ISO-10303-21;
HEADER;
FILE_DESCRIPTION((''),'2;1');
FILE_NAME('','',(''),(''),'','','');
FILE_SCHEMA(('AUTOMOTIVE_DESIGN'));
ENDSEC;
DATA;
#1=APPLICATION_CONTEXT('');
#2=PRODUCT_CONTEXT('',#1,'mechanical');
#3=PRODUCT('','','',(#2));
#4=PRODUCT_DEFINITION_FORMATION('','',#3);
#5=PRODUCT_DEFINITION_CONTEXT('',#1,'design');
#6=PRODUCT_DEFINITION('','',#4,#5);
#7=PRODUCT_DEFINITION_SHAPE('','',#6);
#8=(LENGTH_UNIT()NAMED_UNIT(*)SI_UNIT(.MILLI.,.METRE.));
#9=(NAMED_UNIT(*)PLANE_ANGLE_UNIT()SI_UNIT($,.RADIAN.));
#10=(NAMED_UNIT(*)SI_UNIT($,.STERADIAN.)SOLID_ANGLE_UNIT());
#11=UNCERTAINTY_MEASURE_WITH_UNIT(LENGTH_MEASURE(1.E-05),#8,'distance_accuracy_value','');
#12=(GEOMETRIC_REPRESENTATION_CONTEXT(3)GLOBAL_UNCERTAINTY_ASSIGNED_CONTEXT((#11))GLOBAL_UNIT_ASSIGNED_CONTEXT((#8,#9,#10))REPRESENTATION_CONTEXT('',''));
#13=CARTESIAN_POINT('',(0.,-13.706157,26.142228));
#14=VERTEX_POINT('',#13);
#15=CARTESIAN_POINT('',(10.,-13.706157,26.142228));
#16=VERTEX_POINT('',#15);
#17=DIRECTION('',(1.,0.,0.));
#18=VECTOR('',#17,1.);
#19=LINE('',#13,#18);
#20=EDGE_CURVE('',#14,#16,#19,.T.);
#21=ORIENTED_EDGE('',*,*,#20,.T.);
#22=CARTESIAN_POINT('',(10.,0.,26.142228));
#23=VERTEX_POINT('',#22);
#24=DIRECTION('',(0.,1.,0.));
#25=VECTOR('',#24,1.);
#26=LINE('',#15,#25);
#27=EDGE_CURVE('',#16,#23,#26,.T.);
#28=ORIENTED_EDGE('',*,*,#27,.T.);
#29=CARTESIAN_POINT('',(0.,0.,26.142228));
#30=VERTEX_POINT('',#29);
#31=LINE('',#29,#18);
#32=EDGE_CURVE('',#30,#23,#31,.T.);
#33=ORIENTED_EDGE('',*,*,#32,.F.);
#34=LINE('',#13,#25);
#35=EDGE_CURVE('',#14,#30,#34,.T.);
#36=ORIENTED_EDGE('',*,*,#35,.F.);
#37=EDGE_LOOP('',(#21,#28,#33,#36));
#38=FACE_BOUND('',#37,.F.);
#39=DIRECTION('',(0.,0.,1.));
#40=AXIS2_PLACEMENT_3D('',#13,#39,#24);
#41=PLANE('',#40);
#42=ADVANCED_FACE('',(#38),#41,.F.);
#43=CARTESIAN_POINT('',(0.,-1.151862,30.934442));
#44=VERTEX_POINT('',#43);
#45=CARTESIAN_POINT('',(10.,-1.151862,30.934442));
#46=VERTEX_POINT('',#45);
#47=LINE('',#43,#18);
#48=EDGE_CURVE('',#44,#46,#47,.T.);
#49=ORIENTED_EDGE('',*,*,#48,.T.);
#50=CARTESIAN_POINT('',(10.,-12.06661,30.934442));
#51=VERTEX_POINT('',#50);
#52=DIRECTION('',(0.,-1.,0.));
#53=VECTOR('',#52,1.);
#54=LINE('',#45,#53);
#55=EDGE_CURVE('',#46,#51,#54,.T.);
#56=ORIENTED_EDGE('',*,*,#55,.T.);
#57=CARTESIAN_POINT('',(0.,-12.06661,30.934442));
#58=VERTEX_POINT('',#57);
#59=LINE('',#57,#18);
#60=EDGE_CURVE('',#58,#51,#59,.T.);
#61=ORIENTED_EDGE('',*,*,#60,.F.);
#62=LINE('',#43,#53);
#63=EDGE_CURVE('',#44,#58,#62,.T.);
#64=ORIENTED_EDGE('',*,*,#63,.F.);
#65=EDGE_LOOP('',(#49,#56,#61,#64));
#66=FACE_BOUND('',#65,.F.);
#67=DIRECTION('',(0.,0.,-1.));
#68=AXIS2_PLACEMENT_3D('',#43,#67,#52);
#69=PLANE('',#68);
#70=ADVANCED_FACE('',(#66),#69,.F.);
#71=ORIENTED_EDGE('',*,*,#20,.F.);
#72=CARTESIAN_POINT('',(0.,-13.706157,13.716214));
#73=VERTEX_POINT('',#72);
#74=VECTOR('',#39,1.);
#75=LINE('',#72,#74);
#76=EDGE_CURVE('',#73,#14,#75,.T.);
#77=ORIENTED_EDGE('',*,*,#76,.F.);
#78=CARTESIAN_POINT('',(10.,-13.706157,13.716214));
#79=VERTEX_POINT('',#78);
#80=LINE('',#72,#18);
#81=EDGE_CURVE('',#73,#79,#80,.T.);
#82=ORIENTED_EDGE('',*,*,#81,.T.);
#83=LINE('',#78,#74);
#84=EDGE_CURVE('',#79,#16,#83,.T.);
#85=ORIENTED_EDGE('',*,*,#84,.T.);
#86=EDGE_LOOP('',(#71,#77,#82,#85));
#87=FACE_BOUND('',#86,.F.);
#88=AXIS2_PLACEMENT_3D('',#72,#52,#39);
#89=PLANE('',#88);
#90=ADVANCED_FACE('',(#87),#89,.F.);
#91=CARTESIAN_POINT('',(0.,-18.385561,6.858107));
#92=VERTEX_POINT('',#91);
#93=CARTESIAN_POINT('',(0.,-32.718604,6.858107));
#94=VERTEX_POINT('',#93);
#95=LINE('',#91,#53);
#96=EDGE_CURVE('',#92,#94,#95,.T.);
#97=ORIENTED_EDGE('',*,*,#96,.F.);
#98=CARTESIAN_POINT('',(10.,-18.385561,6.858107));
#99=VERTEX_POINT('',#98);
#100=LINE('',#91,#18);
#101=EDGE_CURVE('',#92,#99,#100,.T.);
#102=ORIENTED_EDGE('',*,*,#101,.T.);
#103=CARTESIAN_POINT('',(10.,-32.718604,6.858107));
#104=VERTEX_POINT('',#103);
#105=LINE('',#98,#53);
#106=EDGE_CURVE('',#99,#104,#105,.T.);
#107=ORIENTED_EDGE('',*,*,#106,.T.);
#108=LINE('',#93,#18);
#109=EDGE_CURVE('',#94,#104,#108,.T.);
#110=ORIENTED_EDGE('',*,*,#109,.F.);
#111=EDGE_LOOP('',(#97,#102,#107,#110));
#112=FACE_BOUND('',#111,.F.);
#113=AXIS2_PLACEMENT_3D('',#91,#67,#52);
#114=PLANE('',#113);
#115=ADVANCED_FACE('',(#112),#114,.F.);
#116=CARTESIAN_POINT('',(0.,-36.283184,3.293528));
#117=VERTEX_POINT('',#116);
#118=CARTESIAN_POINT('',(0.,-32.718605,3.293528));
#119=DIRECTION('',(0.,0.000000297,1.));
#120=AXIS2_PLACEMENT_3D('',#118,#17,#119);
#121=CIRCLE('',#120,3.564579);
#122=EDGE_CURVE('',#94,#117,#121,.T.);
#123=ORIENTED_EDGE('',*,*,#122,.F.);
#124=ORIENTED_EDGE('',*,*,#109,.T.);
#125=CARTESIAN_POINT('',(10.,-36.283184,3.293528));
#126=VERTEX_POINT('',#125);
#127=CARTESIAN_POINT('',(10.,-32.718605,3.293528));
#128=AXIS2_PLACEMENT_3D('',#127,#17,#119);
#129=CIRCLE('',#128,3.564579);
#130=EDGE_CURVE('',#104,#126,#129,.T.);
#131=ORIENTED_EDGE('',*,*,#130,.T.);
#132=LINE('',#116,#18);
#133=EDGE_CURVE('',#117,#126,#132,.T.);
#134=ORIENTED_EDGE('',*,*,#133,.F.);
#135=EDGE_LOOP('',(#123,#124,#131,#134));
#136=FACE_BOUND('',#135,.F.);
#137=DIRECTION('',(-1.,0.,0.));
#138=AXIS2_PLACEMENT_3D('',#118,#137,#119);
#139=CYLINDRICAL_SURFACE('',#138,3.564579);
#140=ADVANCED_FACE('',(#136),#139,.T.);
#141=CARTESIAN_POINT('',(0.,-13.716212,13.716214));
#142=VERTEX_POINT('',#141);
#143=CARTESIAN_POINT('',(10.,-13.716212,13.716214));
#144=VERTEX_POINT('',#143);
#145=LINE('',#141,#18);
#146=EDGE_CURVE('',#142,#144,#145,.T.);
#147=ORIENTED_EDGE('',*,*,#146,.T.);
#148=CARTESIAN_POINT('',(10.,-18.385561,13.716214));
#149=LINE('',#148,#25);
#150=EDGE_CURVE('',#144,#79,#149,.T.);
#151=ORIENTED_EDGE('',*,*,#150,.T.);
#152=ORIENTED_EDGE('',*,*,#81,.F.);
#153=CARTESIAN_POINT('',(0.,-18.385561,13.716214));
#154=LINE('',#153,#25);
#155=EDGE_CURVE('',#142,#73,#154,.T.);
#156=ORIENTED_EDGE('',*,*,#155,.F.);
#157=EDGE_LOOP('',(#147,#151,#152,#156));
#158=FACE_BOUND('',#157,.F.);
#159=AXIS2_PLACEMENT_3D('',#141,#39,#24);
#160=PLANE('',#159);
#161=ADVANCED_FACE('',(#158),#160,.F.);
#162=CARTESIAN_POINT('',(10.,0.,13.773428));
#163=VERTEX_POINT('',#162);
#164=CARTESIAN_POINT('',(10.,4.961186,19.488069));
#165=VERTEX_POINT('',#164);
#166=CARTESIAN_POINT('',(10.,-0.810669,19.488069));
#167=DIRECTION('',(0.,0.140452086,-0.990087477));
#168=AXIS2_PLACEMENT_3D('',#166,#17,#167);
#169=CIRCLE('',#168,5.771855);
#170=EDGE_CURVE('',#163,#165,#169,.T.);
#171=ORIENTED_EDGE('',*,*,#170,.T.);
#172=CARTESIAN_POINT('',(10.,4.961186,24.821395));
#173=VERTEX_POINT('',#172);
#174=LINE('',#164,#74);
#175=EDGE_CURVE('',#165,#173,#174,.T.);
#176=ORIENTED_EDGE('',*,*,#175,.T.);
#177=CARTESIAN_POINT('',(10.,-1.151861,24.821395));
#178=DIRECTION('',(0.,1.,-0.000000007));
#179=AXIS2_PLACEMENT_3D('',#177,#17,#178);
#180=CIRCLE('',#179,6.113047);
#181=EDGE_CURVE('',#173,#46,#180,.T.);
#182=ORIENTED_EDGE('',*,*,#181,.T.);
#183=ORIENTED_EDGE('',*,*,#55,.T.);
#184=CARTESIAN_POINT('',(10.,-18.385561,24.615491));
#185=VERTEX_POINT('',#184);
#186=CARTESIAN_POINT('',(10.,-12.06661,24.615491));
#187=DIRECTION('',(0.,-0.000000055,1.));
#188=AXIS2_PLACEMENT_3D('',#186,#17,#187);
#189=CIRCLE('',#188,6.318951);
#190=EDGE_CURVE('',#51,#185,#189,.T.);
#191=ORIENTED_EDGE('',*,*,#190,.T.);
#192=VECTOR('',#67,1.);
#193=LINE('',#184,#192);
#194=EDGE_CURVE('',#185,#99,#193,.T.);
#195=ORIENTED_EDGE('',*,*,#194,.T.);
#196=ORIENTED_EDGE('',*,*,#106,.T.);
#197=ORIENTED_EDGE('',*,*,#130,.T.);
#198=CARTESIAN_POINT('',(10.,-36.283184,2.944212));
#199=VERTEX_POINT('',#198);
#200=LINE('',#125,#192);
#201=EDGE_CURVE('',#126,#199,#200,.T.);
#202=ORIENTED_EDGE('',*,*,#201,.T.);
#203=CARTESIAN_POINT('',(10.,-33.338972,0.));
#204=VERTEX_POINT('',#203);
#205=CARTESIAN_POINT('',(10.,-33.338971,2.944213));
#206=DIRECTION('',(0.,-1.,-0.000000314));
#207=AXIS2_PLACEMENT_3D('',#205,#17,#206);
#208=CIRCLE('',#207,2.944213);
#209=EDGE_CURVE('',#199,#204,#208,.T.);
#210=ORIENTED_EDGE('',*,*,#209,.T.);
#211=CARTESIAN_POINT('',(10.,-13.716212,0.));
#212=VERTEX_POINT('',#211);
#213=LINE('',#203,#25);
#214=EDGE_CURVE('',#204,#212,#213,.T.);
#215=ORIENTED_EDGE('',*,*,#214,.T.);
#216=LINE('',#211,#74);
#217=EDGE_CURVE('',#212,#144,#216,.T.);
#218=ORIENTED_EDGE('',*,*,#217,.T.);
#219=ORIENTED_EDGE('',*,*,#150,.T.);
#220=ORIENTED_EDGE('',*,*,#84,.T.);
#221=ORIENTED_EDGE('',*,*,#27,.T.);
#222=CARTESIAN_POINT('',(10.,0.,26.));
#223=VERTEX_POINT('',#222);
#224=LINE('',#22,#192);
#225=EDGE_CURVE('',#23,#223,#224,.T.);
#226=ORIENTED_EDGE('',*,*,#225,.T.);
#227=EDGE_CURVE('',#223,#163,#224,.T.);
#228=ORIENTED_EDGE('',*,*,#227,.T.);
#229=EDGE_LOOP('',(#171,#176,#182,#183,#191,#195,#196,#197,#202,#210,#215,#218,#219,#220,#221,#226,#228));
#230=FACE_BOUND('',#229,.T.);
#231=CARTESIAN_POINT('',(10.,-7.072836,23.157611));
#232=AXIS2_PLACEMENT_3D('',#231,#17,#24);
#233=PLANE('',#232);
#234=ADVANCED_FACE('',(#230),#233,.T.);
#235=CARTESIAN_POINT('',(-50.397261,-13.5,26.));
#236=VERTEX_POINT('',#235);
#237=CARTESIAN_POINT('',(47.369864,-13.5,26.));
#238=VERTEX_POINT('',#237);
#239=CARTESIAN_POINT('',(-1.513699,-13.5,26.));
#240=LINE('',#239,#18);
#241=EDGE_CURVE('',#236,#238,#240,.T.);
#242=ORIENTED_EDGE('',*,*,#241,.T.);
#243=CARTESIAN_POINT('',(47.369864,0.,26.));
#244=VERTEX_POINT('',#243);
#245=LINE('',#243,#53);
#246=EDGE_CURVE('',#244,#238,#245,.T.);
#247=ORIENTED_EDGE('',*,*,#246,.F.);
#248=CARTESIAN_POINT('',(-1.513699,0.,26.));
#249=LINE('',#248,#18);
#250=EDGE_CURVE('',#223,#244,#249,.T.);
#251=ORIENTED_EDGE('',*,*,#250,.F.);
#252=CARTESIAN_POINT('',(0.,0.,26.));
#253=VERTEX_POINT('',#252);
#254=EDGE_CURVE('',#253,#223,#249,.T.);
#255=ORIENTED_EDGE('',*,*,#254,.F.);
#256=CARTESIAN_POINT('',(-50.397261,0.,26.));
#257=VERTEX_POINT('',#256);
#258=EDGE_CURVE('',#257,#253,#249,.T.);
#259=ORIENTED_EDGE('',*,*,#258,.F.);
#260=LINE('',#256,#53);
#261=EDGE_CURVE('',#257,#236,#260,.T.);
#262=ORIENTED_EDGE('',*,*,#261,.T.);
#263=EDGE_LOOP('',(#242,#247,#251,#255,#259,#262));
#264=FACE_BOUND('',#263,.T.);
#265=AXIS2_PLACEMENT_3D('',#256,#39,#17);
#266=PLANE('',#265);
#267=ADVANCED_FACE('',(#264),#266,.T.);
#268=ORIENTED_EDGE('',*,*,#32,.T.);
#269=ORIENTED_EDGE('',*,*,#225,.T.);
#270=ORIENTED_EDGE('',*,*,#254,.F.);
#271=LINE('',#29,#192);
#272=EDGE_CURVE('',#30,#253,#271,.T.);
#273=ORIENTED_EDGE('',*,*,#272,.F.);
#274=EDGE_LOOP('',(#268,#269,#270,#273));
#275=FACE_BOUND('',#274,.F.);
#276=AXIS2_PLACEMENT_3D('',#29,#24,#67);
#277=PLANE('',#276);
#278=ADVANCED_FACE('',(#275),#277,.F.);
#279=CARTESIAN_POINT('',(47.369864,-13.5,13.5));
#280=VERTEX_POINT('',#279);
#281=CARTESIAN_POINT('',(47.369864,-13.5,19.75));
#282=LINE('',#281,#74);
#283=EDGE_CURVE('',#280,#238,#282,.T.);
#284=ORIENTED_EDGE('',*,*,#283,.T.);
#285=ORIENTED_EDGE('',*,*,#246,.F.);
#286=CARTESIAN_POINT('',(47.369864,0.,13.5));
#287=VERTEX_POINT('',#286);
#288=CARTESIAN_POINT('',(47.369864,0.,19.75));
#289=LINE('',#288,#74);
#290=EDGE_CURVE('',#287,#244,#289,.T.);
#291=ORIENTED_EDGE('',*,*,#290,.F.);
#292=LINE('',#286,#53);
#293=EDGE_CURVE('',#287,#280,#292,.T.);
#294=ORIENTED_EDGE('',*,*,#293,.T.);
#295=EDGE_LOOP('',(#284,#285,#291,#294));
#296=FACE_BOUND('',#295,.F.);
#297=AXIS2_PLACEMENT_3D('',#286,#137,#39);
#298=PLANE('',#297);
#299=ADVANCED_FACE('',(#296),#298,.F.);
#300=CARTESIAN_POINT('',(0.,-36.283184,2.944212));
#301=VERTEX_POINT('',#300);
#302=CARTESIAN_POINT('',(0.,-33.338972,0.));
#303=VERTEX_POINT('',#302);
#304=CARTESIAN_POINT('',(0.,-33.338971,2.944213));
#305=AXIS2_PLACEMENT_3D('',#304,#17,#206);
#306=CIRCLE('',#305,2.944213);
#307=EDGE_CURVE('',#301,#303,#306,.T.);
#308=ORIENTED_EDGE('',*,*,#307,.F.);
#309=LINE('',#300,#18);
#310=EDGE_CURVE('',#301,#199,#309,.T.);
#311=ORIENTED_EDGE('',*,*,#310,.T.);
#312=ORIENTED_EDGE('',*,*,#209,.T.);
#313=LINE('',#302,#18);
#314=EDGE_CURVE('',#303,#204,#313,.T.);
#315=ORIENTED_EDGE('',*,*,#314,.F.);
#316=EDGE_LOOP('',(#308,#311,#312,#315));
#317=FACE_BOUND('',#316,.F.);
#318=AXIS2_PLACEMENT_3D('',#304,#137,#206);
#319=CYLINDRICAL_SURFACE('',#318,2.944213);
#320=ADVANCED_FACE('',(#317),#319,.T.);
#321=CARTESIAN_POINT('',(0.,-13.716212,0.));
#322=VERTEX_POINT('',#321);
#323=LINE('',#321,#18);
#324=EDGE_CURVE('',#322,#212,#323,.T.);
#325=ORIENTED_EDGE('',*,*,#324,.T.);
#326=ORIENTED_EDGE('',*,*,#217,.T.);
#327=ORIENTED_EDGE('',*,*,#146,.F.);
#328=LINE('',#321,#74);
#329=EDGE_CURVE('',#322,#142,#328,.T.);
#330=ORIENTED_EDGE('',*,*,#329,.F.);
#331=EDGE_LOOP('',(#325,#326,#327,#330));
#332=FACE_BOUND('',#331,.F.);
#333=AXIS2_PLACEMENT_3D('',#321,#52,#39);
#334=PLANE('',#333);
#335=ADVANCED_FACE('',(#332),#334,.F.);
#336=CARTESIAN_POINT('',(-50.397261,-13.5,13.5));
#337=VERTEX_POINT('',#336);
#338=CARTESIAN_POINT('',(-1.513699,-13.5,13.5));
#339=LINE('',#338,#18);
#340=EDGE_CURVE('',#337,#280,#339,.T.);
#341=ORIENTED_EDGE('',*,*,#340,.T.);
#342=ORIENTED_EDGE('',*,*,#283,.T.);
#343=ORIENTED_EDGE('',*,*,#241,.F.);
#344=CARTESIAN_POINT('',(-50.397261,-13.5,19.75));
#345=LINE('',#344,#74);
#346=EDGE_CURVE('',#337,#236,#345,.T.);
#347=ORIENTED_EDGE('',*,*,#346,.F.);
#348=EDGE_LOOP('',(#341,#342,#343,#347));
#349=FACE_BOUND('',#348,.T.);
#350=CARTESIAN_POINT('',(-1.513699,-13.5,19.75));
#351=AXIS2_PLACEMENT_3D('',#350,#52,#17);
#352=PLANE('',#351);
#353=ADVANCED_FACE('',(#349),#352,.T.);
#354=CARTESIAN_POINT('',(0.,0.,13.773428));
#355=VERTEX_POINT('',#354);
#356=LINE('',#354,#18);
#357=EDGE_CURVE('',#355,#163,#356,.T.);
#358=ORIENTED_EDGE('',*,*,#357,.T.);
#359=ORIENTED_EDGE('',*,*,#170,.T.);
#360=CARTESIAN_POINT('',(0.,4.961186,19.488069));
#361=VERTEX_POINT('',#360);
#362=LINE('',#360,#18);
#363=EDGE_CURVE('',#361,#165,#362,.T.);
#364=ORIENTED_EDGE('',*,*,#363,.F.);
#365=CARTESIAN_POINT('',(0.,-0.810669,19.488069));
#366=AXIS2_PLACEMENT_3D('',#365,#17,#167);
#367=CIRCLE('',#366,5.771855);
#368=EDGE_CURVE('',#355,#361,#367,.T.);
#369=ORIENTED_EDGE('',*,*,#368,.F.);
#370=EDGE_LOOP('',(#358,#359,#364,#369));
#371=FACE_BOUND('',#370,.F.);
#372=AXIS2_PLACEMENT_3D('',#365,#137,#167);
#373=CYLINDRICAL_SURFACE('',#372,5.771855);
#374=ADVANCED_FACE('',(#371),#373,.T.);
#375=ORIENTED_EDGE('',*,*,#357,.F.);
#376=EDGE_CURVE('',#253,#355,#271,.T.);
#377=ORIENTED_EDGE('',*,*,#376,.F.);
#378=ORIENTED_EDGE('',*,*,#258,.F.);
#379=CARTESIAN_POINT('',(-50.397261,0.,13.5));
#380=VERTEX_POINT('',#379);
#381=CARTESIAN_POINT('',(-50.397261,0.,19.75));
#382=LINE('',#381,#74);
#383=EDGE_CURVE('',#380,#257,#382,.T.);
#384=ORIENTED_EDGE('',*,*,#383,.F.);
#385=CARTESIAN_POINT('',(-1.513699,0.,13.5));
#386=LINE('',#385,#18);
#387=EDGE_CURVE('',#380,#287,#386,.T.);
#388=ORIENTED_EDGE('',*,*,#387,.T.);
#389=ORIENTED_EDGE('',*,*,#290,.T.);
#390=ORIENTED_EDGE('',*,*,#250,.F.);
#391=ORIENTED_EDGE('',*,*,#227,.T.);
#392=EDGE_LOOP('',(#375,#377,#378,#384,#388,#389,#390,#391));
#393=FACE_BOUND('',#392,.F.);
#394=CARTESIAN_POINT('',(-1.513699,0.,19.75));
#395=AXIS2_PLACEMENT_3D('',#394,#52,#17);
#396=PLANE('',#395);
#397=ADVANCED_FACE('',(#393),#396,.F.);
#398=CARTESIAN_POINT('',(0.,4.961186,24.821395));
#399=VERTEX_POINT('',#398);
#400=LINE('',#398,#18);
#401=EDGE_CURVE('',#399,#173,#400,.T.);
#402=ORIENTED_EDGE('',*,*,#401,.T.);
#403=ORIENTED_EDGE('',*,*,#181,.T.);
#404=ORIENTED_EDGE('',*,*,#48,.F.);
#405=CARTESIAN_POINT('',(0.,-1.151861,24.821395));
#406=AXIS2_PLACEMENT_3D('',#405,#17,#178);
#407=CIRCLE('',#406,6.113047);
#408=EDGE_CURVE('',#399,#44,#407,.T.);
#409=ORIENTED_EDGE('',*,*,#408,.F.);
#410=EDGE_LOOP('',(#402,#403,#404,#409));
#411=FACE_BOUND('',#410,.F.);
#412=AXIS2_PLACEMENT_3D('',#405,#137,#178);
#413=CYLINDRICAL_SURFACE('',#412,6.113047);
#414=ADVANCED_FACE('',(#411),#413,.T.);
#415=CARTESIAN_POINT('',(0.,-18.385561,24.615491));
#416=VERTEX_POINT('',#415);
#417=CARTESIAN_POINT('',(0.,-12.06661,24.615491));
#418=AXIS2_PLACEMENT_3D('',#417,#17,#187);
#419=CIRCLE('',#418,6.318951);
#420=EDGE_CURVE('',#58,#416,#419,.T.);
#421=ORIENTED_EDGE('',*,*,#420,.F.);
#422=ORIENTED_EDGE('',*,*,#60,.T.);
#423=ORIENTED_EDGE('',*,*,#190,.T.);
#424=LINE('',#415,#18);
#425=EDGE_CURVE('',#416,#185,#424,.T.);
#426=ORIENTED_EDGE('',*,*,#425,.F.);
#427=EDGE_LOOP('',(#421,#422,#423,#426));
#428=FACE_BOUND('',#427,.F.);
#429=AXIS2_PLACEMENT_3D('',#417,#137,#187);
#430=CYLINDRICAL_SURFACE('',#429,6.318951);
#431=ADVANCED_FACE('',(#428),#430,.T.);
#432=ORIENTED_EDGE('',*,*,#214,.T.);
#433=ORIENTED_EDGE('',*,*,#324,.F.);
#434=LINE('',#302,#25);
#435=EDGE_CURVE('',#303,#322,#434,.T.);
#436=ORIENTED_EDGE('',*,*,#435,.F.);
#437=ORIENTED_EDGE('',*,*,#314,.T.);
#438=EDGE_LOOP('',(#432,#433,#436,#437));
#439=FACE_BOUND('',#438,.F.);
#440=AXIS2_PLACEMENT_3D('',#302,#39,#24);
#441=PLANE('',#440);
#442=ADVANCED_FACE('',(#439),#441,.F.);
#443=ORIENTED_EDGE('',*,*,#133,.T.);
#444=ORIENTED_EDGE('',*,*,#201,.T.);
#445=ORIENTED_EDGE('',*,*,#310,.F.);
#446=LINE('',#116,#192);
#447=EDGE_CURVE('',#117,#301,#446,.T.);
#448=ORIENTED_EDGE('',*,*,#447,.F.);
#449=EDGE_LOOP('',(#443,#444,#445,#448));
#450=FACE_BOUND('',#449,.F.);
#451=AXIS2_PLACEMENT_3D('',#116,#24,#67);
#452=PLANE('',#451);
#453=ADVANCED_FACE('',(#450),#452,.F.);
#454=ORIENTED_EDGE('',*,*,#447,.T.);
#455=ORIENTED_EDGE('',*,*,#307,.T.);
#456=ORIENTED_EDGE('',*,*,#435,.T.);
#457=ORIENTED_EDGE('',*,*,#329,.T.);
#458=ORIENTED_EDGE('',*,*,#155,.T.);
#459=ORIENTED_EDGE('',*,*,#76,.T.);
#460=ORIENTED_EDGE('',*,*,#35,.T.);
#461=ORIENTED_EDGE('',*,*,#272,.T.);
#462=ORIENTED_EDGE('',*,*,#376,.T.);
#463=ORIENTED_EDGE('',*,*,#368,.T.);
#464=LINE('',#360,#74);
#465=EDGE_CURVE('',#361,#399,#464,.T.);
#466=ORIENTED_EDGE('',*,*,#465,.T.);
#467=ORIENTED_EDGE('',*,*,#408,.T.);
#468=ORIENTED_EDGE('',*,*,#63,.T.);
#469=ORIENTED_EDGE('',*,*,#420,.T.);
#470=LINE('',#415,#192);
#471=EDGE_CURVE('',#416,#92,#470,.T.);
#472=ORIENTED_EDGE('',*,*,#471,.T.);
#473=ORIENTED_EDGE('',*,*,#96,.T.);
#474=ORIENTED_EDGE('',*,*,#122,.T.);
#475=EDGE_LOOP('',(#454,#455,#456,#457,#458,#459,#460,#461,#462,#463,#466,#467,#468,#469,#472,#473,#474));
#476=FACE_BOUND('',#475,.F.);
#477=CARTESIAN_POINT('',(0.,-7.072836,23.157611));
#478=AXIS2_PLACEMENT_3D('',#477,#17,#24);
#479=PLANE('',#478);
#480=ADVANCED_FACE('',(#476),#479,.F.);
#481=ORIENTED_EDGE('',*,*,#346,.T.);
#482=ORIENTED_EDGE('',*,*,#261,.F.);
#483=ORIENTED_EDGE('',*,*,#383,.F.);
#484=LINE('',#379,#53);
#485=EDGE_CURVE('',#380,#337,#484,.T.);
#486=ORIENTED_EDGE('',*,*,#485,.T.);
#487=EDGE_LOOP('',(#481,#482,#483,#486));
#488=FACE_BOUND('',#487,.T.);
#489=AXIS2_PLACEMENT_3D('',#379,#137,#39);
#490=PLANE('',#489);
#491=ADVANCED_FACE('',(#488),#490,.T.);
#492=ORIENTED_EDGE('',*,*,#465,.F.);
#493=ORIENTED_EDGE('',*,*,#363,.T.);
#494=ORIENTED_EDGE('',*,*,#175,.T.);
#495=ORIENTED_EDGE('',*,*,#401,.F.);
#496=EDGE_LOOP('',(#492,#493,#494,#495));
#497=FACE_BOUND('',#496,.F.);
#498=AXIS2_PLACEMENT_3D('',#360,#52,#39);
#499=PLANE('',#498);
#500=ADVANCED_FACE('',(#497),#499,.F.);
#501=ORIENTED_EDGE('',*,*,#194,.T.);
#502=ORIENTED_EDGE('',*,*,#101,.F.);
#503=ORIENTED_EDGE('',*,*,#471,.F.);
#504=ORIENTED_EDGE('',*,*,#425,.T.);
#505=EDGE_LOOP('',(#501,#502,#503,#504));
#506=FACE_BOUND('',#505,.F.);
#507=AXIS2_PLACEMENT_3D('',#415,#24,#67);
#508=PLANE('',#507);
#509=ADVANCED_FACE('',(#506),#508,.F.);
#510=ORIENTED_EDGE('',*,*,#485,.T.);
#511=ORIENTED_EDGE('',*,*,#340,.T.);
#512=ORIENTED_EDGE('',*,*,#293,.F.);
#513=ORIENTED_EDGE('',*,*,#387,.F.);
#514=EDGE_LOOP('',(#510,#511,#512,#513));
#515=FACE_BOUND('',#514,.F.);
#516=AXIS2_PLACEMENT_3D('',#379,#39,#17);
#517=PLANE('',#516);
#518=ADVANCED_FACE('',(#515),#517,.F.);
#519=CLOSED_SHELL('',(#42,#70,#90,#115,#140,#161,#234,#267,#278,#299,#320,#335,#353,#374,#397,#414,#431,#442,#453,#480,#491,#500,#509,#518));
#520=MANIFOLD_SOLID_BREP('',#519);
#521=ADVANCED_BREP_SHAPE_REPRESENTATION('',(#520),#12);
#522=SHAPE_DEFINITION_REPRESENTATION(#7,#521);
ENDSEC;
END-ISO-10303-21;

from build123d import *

# Parameters (mm, degrees)
F0_W     = 97.767125
F0_H     = 12.5
F1_DEPTH = 13.5
F3_DEPTH = 10


with BuildPart() as f1:
    # F0 (on Front) → F1 (new body)
    with BuildSketch(Plane.XZ):
        with Locations((-1.513699, 19.75)):
            Rectangle(F0_W, F0_H)
    extrude(amount=F1_DEPTH)

    # F2 (on Right) → F3 (join)
    with BuildSketch(Plane.YZ):
        with BuildLine():
            ThreePointArc((4.961186, 24.821395), (3.170716, 29.143972), (-1.151862, 30.934442))
            Line((-1.151862, 30.934442), (-12.06661, 30.934442))
            ThreePointArc((-12.06661, 30.934442), (-16.534783, 29.083664), (-18.385561, 24.615491))
            Line((-18.385561, 24.615491), (-18.385561, 13.716214))
            Line((-18.385561, 13.716214), (-13.716212, 13.716214))
            Line((-13.716212, 13.716214), (-13.706157, 13.716214))
            Line((-13.706157, 13.716214), (-13.706157, 26.142228))
            Line((-13.706157, 26.142228), (0, 26.142228))
            Line((0, 26.142228), (0, 13.773428))
            ThreePointArc((0, 13.773428), (3.54785, 15.704206), (4.961186, 19.488069))
            Line((4.961186, 19.488069), (4.961186, 24.821395))
        make_face()
        Polygon((-13.716212, 13.716214), (-18.385561, 13.716214), (-18.385561, 6.858107), (-18.385561, 0), (-13.716212, 0), align=None)
        with BuildLine():
            Line((-18.385561, 0), (-18.385561, 6.858107))
            Line((-18.385561, 6.858107), (-32.718604, 6.858107))
            ThreePointArc((-32.718604, 6.858107), (-35.239143, 5.814066), (-36.283184, 3.293528))
            Line((-36.283184, 3.293528), (-36.283184, 2.944212))
            ThreePointArc((-36.283184, 2.944212), (-35.420844, 0.86234), (-33.338972, 0))
            Line((-33.338972, 0), (-18.385561, 0))
        make_face()
    extrude(amount=F3_DEPTH)


solid = f1.part
